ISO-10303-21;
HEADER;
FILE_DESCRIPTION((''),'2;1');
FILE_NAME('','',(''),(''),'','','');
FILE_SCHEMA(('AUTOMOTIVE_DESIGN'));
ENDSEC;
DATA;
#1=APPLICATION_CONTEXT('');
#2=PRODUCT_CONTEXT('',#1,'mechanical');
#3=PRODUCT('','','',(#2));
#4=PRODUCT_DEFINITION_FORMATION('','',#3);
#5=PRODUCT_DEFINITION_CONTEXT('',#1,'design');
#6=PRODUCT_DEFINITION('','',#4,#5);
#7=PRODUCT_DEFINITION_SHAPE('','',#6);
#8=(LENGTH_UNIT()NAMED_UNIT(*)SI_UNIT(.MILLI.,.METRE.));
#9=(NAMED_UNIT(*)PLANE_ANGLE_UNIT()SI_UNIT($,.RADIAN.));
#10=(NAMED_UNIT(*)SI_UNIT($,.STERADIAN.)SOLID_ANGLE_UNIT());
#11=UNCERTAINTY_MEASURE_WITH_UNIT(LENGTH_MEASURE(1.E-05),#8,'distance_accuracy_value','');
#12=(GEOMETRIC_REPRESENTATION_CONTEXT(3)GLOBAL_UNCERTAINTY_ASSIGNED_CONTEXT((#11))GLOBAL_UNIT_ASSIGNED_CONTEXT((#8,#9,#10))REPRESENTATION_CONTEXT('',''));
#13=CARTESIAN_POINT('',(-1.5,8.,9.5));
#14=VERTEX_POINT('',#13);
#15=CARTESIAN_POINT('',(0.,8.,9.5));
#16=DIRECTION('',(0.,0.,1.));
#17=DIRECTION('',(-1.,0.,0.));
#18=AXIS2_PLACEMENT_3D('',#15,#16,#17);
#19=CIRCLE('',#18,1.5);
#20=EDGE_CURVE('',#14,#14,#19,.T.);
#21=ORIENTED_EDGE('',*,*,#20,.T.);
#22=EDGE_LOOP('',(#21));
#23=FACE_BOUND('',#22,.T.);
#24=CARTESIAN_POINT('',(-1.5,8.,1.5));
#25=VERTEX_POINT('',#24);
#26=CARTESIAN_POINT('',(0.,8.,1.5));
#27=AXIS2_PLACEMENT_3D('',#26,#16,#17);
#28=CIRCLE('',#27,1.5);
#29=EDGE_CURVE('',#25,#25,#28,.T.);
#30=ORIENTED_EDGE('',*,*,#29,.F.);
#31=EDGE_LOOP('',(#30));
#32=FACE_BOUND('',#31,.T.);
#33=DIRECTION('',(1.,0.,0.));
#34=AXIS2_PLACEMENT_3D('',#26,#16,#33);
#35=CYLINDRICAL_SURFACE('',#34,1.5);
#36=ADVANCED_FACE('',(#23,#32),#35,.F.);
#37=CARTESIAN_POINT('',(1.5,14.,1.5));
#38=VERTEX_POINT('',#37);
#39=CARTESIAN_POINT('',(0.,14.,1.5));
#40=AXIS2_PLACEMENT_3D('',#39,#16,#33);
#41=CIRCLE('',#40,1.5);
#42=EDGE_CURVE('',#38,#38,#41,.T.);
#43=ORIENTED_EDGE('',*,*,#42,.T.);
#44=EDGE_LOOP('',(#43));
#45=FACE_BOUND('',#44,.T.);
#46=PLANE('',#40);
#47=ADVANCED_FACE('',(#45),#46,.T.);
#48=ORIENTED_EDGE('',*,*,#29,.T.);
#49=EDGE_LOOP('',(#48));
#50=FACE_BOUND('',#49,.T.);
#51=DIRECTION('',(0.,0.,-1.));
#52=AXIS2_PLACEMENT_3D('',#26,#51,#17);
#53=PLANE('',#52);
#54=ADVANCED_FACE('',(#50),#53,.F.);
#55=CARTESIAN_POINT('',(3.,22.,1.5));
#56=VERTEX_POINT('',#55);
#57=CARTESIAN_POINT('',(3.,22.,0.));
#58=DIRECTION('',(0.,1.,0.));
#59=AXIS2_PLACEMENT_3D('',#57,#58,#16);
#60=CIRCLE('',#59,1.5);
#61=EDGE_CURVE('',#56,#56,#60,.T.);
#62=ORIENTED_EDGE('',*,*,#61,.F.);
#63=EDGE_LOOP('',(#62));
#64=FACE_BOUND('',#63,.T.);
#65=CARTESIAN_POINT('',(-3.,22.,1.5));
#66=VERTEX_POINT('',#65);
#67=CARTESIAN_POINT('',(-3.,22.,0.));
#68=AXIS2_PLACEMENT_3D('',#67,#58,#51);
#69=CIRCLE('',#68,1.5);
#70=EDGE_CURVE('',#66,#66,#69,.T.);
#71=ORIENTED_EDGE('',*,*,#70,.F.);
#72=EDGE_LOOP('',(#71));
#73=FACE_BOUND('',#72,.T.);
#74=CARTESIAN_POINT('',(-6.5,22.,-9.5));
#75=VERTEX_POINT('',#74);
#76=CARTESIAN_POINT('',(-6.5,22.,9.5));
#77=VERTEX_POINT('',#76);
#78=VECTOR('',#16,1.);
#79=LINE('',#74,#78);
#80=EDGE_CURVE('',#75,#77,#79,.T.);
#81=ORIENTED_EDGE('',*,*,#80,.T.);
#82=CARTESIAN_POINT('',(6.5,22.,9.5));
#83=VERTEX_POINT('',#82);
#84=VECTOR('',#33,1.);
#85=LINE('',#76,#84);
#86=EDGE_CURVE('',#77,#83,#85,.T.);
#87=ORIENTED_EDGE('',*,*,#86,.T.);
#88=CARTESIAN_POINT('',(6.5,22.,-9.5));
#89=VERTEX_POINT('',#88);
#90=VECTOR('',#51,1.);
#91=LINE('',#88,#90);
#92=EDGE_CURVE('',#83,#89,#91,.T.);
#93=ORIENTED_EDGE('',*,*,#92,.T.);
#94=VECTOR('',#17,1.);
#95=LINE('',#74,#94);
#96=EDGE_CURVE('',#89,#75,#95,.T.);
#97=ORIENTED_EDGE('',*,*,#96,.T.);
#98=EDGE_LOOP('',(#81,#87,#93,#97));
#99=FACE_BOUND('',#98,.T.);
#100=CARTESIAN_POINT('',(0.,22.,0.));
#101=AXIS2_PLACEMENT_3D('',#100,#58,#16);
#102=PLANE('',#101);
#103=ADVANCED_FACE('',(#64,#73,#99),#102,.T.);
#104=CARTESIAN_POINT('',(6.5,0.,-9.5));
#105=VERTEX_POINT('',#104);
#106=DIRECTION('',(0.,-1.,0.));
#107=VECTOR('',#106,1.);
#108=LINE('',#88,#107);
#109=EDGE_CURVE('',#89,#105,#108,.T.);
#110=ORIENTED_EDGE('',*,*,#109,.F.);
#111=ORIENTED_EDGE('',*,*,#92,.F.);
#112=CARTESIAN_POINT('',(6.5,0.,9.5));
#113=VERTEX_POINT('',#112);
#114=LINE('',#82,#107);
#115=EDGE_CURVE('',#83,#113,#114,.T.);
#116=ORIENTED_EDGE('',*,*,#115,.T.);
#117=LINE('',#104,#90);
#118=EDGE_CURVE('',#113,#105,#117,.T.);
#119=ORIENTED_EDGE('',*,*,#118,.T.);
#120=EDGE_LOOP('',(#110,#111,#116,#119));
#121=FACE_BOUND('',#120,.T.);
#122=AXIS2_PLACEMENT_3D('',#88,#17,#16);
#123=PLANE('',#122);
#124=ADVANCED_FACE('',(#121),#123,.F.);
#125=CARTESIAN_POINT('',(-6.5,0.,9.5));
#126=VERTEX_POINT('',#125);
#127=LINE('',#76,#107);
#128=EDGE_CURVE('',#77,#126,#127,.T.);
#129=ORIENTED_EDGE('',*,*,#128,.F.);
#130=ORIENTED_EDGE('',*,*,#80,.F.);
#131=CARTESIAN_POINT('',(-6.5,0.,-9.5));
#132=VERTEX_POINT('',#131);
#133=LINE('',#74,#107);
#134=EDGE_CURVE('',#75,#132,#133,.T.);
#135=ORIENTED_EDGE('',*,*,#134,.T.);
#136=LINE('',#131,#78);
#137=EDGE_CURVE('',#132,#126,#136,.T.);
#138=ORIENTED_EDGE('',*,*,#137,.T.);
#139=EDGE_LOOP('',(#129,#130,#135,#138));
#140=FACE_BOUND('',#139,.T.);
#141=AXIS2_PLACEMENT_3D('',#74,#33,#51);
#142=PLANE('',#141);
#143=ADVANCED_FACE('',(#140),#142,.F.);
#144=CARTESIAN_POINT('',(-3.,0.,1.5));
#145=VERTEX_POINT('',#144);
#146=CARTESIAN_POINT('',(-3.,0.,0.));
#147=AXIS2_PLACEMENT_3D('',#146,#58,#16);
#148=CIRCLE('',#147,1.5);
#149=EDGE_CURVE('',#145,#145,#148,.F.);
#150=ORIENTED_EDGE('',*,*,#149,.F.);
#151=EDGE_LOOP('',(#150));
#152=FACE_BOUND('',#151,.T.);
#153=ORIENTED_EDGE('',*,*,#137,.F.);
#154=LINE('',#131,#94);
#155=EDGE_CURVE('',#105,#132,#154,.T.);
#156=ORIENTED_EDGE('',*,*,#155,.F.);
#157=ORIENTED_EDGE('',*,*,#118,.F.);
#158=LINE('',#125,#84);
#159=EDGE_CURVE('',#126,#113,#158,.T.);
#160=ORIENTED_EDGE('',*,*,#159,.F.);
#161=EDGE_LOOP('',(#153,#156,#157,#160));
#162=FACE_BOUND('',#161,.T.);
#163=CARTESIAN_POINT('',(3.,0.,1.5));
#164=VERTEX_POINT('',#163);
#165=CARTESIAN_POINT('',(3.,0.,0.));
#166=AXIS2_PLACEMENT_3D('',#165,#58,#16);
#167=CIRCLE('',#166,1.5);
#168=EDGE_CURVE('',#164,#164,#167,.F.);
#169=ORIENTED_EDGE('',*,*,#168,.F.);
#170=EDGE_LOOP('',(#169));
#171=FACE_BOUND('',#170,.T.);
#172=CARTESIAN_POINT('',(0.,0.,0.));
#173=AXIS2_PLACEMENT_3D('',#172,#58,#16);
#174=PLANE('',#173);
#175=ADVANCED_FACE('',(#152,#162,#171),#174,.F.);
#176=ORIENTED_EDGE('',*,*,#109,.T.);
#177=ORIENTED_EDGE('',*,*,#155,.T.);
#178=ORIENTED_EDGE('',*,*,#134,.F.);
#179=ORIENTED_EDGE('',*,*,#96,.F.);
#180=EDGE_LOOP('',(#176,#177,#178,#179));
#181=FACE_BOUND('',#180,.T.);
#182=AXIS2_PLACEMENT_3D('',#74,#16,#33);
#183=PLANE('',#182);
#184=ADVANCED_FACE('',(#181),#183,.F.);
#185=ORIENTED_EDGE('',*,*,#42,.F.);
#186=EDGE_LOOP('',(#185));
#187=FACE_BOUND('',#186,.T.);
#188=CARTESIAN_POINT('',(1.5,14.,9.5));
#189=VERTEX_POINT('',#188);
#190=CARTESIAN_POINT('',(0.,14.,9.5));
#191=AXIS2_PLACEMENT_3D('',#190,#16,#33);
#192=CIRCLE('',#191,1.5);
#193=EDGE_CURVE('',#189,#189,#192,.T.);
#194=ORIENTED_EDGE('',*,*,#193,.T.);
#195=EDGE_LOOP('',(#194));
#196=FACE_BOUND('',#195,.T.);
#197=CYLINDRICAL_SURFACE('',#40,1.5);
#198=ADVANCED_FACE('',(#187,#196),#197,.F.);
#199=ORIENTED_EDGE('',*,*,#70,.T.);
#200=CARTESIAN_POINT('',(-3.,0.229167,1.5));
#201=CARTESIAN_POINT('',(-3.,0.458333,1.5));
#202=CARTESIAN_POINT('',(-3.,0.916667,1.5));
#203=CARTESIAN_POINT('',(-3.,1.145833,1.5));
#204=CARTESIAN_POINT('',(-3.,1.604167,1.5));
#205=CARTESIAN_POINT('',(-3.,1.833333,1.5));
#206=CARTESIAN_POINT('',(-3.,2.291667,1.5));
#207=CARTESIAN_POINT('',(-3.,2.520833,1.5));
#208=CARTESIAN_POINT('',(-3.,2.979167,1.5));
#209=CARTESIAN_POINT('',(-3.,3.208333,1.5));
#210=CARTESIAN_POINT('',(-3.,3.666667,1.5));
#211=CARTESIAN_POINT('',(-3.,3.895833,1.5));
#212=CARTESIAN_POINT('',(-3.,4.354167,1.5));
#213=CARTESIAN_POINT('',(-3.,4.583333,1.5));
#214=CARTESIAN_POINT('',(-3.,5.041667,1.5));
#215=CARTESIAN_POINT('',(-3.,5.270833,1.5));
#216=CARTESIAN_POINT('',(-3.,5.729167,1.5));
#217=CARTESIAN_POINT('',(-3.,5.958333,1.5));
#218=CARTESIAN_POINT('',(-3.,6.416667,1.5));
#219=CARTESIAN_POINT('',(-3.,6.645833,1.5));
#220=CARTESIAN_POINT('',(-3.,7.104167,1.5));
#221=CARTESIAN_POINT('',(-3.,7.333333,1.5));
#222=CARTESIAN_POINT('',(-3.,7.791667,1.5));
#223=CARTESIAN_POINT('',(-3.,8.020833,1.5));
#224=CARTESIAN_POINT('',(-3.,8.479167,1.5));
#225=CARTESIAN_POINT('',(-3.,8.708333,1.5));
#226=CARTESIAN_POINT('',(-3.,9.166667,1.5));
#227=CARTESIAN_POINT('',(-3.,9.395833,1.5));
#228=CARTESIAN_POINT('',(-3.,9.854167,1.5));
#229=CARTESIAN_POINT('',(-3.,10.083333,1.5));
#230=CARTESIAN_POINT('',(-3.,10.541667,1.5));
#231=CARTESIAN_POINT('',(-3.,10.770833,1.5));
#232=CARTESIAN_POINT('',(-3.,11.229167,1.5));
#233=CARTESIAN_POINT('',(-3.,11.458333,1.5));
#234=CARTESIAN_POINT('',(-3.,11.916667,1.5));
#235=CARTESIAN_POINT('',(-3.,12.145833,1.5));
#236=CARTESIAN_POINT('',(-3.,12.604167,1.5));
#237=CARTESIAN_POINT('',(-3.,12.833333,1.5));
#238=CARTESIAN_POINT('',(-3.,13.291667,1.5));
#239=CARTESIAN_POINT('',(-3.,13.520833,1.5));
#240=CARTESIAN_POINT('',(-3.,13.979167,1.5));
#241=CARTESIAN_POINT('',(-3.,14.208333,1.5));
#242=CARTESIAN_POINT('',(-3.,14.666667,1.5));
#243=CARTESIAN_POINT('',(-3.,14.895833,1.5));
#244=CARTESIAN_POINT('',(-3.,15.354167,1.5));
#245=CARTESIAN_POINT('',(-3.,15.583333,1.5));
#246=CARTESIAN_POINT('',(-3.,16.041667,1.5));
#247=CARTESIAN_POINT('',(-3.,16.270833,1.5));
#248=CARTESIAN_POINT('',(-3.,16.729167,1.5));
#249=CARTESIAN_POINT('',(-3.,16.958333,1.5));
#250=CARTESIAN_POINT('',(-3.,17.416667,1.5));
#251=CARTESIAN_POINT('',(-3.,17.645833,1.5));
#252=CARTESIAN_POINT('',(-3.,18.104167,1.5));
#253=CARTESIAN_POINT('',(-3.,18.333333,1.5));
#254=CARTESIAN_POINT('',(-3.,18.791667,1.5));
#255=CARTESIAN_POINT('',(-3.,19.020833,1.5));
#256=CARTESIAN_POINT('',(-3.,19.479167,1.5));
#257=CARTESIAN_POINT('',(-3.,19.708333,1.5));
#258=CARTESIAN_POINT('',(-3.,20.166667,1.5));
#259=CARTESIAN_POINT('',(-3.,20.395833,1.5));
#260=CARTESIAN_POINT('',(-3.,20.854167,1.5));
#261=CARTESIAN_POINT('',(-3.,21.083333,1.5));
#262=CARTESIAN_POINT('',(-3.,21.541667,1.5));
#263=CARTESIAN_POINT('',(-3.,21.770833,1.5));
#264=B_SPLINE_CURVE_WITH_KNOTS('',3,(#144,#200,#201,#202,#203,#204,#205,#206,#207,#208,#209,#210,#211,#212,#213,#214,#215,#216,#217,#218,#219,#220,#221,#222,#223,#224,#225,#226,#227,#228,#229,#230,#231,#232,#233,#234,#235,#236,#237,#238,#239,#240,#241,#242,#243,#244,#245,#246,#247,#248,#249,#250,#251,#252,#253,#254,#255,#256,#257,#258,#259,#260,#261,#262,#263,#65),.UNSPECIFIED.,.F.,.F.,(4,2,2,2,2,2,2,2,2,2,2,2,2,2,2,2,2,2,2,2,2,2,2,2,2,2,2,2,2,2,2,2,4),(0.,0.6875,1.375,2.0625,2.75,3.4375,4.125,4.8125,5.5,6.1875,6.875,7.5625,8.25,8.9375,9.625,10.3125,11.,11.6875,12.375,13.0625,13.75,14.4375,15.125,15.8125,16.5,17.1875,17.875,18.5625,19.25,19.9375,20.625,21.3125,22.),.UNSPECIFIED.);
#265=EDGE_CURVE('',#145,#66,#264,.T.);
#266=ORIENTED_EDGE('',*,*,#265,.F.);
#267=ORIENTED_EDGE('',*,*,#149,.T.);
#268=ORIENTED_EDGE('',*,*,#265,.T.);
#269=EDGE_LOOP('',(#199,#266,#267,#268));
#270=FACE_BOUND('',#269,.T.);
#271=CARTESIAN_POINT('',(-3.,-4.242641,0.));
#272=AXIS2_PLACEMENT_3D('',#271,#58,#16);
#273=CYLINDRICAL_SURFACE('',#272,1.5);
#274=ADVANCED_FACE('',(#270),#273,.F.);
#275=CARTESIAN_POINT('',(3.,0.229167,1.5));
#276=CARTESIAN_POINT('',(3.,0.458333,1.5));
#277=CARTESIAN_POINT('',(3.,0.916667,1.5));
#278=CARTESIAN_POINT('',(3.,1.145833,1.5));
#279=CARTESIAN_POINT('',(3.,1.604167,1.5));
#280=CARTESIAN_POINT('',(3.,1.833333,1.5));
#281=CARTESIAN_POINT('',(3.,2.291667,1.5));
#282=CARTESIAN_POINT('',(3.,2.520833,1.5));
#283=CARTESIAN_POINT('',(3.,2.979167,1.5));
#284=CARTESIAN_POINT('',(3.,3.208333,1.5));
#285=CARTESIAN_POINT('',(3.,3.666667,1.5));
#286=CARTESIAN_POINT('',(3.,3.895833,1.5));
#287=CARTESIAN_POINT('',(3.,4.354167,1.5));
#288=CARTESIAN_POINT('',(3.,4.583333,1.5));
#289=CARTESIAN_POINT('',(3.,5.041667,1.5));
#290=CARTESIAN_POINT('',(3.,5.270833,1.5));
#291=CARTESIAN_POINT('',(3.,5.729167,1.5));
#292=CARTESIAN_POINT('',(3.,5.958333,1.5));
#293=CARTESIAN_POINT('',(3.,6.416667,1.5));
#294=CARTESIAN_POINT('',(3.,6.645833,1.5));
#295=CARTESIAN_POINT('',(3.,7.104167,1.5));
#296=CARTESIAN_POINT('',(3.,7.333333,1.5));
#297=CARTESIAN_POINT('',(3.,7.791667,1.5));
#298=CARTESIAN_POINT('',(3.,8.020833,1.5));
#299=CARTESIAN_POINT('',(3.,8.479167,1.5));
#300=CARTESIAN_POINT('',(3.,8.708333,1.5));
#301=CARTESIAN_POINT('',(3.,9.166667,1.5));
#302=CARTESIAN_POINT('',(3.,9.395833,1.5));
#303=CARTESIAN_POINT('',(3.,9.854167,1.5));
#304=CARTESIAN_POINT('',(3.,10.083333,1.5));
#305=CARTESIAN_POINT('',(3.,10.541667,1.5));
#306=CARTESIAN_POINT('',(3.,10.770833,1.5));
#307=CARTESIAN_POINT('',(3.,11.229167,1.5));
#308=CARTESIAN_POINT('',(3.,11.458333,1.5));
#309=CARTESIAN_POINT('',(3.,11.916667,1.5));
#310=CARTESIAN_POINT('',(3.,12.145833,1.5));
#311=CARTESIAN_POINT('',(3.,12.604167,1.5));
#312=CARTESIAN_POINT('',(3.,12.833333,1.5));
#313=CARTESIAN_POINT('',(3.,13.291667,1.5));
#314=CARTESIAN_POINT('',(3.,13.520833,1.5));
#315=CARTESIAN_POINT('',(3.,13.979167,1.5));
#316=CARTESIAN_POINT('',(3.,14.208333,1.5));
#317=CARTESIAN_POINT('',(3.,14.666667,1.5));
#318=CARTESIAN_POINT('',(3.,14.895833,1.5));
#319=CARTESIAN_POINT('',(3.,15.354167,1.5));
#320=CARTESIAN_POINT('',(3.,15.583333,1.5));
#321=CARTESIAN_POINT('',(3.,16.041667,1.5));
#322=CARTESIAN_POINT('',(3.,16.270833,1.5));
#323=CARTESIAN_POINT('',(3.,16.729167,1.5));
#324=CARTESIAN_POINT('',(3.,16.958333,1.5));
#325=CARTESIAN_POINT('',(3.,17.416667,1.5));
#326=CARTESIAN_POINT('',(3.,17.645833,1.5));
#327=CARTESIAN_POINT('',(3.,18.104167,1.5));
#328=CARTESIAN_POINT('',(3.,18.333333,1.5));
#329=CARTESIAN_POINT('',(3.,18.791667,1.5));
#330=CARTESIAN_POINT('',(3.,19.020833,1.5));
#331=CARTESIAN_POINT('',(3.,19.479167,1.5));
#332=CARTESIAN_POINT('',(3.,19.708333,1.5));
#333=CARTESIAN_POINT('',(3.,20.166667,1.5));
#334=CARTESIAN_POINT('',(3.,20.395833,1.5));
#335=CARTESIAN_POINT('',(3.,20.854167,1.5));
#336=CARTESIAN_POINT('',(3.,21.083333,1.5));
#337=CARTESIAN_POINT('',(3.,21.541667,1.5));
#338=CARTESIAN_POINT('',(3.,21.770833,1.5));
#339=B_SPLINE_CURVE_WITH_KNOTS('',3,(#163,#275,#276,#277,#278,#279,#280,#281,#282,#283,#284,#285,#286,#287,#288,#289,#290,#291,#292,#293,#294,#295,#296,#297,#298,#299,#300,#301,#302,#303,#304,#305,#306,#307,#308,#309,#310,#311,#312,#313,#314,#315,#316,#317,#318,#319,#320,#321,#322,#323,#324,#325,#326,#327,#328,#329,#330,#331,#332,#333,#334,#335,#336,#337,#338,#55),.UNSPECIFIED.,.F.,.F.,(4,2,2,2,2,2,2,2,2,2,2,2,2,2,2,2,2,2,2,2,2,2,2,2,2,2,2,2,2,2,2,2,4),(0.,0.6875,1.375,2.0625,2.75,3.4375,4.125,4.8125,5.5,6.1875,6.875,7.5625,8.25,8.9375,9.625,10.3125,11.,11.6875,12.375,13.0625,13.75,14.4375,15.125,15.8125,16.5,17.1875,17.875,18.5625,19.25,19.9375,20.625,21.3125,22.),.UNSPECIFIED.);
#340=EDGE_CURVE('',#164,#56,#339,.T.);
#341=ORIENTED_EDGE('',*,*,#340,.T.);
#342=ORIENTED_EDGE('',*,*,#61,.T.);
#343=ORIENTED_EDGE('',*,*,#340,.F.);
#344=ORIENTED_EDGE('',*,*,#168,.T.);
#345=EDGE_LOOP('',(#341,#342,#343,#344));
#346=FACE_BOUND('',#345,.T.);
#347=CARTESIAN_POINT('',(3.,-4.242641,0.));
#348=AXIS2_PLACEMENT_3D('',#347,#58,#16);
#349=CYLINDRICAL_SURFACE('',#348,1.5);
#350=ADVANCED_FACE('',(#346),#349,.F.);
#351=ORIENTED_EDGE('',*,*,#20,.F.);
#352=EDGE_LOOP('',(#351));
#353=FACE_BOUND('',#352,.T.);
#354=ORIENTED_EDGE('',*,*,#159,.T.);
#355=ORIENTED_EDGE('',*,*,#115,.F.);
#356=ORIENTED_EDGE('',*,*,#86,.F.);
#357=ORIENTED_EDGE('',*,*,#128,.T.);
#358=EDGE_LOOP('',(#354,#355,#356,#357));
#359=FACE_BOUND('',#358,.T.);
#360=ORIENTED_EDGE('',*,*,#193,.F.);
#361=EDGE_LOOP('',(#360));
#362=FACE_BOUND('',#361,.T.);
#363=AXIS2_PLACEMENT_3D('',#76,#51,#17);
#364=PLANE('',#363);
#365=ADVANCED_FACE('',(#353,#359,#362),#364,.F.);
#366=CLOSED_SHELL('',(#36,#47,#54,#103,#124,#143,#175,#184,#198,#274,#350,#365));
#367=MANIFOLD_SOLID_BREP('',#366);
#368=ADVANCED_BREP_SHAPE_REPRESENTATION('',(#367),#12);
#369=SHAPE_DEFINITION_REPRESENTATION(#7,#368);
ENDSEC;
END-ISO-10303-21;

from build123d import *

# Parameters (mm, degrees)
SKETCH1_W           = 13
SKETCH1_H           = 19
BOSS_EXTRUDE1_DEPTH = 22
SKETCH3_R           = 1.5
CUT_EXTRUDE1_DEPTH  = 8
SKETCH4_R           = 1.5
CUT_EXTRUDE2_DEPTH  = 22


with BuildPart() as part:
    # Sketch1 → Boss-Extrude1 (new body)
    with BuildSketch(Plane(origin=(0, 0, 0), x_dir=(1, 0, 0), z_dir=(0, 1, 0))):
        Rectangle(SKETCH1_W, SKETCH1_H)
    extrude(amount=BOSS_EXTRUDE1_DEPTH)

    # Sketch3 → Cut-Extrude1 (cut)
    with BuildSketch(Plane.XY.offset(9.5)):
        with Locations((0, 14)):
            Circle(SKETCH3_R)
        with Locations(Location((0, 8, 0), (0, 0, 180))):
            Circle(SKETCH3_R)
    extrude(amount=-CUT_EXTRUDE1_DEPTH, mode=Mode.SUBTRACT)

    # Sketch4 → Cut-Extrude2 (cut)
    with BuildSketch(Plane(origin=(0, 22, 0), x_dir=(1, 0, 0), z_dir=(0, 1, 0))):
        with Locations(Location((3, 0, 0), (0, 0, 270))):
            Circle(SKETCH4_R)
        with Locations(Location((-3, 0, 0), (0, 0, 270))):
            Circle(SKETCH4_R)
    extrude(amount=-CUT_EXTRUDE2_DEPTH, mode=Mode.SUBTRACT)


solid = part.part
